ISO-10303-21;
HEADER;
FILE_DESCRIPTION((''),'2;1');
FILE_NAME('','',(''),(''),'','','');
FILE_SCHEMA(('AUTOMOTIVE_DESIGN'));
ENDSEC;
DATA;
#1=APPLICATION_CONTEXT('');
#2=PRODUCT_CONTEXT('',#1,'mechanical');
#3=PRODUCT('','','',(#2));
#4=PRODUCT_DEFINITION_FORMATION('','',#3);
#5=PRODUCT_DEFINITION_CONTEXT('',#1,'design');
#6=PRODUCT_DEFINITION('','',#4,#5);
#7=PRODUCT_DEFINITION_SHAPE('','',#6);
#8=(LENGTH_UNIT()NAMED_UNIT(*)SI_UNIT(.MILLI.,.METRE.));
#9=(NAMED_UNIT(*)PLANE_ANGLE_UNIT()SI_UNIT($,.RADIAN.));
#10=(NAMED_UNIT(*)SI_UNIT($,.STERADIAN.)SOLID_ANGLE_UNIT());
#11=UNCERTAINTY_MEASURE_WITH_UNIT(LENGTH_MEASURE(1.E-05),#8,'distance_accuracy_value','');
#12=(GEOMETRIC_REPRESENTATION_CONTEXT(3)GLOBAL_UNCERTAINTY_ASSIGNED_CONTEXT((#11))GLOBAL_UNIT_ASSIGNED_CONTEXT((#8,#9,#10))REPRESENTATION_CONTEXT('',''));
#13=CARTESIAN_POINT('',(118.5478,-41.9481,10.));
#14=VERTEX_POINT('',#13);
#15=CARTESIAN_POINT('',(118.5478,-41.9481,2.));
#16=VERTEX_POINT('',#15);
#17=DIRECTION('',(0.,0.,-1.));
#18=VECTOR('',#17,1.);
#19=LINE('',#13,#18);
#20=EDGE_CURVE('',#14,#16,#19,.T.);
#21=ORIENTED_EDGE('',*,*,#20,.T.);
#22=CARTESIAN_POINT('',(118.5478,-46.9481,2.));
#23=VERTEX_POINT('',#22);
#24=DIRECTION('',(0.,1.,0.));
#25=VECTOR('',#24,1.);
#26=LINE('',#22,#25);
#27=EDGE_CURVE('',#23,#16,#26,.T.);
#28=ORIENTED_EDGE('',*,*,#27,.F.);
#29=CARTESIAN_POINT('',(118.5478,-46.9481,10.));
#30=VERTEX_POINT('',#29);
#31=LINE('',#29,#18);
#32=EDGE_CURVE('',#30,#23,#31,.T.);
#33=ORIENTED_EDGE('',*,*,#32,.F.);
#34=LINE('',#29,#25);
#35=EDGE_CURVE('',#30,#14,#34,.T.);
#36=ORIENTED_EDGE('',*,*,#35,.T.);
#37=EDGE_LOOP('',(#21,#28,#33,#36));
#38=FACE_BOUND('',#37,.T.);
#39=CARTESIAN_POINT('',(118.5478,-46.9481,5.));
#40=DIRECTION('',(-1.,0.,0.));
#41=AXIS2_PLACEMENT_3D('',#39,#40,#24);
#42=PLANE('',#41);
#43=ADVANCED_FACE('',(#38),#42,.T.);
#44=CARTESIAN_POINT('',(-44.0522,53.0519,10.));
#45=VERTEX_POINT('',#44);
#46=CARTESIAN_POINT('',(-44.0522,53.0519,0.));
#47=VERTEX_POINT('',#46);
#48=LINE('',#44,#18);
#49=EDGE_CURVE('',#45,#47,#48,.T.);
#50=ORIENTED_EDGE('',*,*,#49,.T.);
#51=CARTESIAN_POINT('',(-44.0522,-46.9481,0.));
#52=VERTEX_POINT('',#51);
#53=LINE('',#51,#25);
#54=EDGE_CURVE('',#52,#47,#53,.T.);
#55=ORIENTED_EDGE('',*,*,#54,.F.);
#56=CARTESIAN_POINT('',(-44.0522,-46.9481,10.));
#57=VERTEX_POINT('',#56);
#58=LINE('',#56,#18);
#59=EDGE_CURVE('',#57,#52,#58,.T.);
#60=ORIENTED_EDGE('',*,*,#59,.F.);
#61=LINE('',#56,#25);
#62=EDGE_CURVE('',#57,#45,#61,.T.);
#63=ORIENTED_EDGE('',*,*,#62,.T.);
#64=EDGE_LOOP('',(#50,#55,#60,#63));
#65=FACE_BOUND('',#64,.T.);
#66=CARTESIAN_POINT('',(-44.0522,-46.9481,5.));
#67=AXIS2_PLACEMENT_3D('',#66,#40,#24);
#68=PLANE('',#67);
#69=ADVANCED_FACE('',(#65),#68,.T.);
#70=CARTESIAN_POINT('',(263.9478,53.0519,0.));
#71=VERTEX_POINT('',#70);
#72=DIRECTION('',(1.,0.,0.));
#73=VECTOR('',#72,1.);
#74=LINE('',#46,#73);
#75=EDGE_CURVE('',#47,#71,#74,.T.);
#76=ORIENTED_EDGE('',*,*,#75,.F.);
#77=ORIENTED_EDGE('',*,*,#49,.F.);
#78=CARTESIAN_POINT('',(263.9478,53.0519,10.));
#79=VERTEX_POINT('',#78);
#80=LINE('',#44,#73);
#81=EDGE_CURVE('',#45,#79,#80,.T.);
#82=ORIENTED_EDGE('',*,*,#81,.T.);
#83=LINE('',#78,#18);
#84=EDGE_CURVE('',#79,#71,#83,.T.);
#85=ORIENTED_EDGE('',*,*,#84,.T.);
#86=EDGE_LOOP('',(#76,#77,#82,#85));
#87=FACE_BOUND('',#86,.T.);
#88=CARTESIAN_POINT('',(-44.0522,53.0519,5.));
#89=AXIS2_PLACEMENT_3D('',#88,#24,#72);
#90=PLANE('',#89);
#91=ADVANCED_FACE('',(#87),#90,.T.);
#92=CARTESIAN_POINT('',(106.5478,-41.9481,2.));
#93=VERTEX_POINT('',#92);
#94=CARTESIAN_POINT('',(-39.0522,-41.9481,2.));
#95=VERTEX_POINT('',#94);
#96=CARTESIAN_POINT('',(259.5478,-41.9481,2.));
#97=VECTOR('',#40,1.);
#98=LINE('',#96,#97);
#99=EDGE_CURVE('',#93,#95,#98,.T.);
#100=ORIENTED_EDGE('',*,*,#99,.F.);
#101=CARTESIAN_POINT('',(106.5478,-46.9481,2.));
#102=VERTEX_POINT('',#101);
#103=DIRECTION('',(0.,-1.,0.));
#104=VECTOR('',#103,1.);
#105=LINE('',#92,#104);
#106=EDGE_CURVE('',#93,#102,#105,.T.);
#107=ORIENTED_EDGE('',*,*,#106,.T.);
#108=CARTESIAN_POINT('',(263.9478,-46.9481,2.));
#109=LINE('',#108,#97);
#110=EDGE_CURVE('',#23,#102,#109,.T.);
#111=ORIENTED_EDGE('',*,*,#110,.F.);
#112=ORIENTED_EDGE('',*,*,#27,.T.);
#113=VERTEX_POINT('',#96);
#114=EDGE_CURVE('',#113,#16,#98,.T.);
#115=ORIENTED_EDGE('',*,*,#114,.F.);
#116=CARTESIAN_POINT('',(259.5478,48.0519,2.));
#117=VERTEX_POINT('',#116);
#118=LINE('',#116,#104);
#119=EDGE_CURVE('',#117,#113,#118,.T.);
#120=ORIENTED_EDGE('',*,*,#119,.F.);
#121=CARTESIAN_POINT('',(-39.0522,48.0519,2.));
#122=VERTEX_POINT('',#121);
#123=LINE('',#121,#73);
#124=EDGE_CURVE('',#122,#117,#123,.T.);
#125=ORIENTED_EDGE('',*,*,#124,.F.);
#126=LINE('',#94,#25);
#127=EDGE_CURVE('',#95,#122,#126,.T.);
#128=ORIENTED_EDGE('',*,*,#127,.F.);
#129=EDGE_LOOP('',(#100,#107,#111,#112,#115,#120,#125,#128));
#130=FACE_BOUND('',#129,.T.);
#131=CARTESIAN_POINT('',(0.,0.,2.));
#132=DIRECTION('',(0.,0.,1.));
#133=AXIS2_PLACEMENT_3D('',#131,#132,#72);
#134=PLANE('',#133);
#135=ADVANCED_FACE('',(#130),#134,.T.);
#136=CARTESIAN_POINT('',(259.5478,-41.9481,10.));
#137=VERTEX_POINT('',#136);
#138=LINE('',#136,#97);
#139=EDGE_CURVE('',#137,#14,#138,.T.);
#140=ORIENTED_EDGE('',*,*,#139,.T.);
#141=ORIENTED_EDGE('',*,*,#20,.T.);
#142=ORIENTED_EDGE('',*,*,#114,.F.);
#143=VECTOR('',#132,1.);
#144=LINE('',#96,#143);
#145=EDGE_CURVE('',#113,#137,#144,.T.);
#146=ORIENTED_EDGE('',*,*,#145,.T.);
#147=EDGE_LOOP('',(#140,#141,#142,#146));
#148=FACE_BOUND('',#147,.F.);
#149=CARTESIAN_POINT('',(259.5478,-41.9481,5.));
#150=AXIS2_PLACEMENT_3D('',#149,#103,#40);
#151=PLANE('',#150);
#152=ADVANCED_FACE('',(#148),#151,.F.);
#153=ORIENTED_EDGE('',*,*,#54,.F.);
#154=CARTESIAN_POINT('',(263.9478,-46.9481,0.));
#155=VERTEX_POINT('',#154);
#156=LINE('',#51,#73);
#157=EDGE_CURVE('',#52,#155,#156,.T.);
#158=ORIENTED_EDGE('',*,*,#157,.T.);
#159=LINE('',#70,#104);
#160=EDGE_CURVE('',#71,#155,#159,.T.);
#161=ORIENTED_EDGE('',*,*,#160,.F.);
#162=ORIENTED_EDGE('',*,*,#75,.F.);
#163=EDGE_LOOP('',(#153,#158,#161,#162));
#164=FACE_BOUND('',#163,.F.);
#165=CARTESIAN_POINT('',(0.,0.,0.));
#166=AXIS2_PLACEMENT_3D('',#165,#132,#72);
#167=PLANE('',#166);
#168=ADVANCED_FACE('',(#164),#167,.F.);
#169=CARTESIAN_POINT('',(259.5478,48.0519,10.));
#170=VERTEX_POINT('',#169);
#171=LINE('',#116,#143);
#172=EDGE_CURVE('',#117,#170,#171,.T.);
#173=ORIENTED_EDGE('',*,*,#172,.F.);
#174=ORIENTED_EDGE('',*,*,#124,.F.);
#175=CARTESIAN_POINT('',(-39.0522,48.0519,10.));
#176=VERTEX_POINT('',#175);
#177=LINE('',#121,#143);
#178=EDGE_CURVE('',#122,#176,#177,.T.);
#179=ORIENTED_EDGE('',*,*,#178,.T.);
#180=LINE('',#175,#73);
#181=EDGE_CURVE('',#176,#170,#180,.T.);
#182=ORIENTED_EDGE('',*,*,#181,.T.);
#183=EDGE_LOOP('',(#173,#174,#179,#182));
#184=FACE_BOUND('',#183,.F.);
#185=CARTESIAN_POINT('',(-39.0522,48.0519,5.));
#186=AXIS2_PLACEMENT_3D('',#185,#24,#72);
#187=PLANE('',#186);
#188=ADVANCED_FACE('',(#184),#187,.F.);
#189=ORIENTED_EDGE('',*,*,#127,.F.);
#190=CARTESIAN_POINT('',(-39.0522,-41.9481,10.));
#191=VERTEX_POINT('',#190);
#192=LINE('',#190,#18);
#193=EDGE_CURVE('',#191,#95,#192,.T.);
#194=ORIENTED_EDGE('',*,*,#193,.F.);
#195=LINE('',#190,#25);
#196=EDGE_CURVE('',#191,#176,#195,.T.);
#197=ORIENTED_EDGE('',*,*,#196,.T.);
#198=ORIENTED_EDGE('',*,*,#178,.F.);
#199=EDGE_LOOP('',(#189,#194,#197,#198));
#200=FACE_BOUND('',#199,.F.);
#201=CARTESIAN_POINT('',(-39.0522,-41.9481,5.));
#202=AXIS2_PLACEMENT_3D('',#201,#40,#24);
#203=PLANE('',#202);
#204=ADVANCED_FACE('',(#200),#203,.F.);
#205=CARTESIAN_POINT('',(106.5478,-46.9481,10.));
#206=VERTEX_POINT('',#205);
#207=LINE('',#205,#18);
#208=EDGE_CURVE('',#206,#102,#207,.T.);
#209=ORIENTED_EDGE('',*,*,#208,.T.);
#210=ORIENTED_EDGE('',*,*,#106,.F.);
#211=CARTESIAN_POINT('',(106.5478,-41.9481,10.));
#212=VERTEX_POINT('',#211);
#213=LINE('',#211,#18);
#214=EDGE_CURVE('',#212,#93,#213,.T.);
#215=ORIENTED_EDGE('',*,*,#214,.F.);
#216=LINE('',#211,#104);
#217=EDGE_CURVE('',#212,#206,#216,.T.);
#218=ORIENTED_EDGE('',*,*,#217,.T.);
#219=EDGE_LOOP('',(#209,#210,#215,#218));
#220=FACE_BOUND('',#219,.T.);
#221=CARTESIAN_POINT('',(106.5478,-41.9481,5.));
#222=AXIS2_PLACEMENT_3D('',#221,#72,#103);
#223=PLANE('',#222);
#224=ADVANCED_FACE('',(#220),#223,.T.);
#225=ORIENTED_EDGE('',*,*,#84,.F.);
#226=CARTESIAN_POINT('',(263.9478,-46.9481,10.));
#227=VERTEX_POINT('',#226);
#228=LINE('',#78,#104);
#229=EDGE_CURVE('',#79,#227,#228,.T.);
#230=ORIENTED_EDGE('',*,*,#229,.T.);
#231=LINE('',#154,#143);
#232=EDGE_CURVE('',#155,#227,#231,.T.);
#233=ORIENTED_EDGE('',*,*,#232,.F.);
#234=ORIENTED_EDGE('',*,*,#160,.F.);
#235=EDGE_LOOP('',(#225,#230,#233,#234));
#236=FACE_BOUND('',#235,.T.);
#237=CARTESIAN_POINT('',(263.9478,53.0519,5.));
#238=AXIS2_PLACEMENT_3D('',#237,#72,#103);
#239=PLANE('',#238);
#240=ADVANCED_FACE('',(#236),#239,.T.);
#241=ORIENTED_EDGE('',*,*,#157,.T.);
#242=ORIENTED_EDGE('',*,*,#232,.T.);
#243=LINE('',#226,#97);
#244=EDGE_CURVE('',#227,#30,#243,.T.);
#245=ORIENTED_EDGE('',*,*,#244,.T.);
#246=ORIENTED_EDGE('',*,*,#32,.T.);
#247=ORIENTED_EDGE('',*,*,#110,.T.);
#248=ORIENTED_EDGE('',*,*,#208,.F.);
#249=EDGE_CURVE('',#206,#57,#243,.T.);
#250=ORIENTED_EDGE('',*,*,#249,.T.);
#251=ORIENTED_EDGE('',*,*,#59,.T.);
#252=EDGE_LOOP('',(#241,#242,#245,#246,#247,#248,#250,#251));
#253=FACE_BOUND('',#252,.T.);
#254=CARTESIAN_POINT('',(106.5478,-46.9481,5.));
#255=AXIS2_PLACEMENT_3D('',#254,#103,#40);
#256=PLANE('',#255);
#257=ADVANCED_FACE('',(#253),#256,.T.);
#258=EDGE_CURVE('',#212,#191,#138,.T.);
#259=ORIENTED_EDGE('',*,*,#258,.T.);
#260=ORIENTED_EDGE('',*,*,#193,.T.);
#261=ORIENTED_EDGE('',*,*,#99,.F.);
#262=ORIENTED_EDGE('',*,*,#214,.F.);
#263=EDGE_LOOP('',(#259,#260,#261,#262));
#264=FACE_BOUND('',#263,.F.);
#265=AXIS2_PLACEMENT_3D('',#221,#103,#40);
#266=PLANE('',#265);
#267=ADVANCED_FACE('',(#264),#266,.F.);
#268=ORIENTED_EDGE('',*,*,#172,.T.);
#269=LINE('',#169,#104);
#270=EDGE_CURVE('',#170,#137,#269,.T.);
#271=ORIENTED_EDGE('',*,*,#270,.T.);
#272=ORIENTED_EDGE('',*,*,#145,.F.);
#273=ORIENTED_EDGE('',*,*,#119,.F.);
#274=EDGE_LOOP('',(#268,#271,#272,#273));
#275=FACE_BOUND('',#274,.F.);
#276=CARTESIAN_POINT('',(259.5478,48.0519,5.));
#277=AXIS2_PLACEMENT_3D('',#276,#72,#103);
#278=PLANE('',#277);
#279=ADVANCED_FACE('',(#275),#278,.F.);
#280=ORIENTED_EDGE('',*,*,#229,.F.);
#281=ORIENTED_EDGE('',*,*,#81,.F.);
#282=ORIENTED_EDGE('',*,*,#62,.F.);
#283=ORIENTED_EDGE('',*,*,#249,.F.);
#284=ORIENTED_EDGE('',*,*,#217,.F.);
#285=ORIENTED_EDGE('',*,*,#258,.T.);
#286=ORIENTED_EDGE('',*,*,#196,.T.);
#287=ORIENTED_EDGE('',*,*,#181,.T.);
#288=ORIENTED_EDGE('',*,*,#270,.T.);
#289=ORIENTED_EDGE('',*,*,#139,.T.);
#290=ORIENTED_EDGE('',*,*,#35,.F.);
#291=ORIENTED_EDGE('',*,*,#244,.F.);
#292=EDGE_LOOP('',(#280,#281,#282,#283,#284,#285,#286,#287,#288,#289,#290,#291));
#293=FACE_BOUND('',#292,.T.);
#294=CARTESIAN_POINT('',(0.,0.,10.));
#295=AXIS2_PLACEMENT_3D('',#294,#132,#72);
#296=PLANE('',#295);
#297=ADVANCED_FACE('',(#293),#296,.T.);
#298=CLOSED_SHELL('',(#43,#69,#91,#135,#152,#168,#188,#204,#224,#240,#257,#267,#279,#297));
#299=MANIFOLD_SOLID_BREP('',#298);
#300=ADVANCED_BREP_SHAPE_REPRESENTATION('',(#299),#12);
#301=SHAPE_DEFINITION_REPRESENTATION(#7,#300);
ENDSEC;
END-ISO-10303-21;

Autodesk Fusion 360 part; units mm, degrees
sketch "Szkic1" plane through (0, 0, 0) normal (0, 0, 1) x (1, 0, 0)
  line L0 (-39.0522, 48.0519) -> (259.5478, 48.0519)
  line L1 (259.5478, 48.0519) -> (259.5478, -41.9481)
  line L2 (259.5478, -41.9481) -> (-39.0522, -41.9481)
  line L3 (-39.0522, -41.9481) -> (-39.0522, 48.0519)
  line L4 (-44.0522, 53.0519) -> (263.9478, 53.0519)
  line L5 (263.9478, 53.0519) -> (263.9478, -46.9481)
  line L6 (263.9478, -46.9481) -> (-44.0522, -46.9481)
  line L7 (-44.0522, -46.9481) -> (-44.0522, 53.0519)
  line L8 (118.5478, -41.9481) -> (106.5478, -41.9481)
  line L9 (106.5478, -41.9481) -> (106.5478, -46.9481)
  line L10 (106.5478, -46.9481) -> (118.5478, -46.9481)
  line L11 (118.5478, -46.9481) -> (118.5478, -41.9481)
  dimension "d1" = 298.6
  dimension "d2" = 90
  dimension "d3" = 308
  dimension "d4" = 100
  dimension "d5" = 5
  dimension "d6" = 5
  dimension "d7" = 141
  dimension "d8" = 12
extrude "Wyciągnięcie proste1" add sketch "Szkic1" along normal blind 5 contours L0 L1 L2 L3 L4 L5 L6 L7 L9 L11
extrude "Wyciągnięcie proste2" add sketch "Szkic1" along normal blind 2 contours L0 L1 L2 L3 L8
extrude "Wyciągnięcie proste3" add sketch "Szkic1" along normal blind 2 contours L2 L6 L8 L9 L10 L11
extrude "Wyciągnięcie proste4" add 1 faces at (60.2811, 51.3852, 5) along direction (0, 0, 1) blind 5
